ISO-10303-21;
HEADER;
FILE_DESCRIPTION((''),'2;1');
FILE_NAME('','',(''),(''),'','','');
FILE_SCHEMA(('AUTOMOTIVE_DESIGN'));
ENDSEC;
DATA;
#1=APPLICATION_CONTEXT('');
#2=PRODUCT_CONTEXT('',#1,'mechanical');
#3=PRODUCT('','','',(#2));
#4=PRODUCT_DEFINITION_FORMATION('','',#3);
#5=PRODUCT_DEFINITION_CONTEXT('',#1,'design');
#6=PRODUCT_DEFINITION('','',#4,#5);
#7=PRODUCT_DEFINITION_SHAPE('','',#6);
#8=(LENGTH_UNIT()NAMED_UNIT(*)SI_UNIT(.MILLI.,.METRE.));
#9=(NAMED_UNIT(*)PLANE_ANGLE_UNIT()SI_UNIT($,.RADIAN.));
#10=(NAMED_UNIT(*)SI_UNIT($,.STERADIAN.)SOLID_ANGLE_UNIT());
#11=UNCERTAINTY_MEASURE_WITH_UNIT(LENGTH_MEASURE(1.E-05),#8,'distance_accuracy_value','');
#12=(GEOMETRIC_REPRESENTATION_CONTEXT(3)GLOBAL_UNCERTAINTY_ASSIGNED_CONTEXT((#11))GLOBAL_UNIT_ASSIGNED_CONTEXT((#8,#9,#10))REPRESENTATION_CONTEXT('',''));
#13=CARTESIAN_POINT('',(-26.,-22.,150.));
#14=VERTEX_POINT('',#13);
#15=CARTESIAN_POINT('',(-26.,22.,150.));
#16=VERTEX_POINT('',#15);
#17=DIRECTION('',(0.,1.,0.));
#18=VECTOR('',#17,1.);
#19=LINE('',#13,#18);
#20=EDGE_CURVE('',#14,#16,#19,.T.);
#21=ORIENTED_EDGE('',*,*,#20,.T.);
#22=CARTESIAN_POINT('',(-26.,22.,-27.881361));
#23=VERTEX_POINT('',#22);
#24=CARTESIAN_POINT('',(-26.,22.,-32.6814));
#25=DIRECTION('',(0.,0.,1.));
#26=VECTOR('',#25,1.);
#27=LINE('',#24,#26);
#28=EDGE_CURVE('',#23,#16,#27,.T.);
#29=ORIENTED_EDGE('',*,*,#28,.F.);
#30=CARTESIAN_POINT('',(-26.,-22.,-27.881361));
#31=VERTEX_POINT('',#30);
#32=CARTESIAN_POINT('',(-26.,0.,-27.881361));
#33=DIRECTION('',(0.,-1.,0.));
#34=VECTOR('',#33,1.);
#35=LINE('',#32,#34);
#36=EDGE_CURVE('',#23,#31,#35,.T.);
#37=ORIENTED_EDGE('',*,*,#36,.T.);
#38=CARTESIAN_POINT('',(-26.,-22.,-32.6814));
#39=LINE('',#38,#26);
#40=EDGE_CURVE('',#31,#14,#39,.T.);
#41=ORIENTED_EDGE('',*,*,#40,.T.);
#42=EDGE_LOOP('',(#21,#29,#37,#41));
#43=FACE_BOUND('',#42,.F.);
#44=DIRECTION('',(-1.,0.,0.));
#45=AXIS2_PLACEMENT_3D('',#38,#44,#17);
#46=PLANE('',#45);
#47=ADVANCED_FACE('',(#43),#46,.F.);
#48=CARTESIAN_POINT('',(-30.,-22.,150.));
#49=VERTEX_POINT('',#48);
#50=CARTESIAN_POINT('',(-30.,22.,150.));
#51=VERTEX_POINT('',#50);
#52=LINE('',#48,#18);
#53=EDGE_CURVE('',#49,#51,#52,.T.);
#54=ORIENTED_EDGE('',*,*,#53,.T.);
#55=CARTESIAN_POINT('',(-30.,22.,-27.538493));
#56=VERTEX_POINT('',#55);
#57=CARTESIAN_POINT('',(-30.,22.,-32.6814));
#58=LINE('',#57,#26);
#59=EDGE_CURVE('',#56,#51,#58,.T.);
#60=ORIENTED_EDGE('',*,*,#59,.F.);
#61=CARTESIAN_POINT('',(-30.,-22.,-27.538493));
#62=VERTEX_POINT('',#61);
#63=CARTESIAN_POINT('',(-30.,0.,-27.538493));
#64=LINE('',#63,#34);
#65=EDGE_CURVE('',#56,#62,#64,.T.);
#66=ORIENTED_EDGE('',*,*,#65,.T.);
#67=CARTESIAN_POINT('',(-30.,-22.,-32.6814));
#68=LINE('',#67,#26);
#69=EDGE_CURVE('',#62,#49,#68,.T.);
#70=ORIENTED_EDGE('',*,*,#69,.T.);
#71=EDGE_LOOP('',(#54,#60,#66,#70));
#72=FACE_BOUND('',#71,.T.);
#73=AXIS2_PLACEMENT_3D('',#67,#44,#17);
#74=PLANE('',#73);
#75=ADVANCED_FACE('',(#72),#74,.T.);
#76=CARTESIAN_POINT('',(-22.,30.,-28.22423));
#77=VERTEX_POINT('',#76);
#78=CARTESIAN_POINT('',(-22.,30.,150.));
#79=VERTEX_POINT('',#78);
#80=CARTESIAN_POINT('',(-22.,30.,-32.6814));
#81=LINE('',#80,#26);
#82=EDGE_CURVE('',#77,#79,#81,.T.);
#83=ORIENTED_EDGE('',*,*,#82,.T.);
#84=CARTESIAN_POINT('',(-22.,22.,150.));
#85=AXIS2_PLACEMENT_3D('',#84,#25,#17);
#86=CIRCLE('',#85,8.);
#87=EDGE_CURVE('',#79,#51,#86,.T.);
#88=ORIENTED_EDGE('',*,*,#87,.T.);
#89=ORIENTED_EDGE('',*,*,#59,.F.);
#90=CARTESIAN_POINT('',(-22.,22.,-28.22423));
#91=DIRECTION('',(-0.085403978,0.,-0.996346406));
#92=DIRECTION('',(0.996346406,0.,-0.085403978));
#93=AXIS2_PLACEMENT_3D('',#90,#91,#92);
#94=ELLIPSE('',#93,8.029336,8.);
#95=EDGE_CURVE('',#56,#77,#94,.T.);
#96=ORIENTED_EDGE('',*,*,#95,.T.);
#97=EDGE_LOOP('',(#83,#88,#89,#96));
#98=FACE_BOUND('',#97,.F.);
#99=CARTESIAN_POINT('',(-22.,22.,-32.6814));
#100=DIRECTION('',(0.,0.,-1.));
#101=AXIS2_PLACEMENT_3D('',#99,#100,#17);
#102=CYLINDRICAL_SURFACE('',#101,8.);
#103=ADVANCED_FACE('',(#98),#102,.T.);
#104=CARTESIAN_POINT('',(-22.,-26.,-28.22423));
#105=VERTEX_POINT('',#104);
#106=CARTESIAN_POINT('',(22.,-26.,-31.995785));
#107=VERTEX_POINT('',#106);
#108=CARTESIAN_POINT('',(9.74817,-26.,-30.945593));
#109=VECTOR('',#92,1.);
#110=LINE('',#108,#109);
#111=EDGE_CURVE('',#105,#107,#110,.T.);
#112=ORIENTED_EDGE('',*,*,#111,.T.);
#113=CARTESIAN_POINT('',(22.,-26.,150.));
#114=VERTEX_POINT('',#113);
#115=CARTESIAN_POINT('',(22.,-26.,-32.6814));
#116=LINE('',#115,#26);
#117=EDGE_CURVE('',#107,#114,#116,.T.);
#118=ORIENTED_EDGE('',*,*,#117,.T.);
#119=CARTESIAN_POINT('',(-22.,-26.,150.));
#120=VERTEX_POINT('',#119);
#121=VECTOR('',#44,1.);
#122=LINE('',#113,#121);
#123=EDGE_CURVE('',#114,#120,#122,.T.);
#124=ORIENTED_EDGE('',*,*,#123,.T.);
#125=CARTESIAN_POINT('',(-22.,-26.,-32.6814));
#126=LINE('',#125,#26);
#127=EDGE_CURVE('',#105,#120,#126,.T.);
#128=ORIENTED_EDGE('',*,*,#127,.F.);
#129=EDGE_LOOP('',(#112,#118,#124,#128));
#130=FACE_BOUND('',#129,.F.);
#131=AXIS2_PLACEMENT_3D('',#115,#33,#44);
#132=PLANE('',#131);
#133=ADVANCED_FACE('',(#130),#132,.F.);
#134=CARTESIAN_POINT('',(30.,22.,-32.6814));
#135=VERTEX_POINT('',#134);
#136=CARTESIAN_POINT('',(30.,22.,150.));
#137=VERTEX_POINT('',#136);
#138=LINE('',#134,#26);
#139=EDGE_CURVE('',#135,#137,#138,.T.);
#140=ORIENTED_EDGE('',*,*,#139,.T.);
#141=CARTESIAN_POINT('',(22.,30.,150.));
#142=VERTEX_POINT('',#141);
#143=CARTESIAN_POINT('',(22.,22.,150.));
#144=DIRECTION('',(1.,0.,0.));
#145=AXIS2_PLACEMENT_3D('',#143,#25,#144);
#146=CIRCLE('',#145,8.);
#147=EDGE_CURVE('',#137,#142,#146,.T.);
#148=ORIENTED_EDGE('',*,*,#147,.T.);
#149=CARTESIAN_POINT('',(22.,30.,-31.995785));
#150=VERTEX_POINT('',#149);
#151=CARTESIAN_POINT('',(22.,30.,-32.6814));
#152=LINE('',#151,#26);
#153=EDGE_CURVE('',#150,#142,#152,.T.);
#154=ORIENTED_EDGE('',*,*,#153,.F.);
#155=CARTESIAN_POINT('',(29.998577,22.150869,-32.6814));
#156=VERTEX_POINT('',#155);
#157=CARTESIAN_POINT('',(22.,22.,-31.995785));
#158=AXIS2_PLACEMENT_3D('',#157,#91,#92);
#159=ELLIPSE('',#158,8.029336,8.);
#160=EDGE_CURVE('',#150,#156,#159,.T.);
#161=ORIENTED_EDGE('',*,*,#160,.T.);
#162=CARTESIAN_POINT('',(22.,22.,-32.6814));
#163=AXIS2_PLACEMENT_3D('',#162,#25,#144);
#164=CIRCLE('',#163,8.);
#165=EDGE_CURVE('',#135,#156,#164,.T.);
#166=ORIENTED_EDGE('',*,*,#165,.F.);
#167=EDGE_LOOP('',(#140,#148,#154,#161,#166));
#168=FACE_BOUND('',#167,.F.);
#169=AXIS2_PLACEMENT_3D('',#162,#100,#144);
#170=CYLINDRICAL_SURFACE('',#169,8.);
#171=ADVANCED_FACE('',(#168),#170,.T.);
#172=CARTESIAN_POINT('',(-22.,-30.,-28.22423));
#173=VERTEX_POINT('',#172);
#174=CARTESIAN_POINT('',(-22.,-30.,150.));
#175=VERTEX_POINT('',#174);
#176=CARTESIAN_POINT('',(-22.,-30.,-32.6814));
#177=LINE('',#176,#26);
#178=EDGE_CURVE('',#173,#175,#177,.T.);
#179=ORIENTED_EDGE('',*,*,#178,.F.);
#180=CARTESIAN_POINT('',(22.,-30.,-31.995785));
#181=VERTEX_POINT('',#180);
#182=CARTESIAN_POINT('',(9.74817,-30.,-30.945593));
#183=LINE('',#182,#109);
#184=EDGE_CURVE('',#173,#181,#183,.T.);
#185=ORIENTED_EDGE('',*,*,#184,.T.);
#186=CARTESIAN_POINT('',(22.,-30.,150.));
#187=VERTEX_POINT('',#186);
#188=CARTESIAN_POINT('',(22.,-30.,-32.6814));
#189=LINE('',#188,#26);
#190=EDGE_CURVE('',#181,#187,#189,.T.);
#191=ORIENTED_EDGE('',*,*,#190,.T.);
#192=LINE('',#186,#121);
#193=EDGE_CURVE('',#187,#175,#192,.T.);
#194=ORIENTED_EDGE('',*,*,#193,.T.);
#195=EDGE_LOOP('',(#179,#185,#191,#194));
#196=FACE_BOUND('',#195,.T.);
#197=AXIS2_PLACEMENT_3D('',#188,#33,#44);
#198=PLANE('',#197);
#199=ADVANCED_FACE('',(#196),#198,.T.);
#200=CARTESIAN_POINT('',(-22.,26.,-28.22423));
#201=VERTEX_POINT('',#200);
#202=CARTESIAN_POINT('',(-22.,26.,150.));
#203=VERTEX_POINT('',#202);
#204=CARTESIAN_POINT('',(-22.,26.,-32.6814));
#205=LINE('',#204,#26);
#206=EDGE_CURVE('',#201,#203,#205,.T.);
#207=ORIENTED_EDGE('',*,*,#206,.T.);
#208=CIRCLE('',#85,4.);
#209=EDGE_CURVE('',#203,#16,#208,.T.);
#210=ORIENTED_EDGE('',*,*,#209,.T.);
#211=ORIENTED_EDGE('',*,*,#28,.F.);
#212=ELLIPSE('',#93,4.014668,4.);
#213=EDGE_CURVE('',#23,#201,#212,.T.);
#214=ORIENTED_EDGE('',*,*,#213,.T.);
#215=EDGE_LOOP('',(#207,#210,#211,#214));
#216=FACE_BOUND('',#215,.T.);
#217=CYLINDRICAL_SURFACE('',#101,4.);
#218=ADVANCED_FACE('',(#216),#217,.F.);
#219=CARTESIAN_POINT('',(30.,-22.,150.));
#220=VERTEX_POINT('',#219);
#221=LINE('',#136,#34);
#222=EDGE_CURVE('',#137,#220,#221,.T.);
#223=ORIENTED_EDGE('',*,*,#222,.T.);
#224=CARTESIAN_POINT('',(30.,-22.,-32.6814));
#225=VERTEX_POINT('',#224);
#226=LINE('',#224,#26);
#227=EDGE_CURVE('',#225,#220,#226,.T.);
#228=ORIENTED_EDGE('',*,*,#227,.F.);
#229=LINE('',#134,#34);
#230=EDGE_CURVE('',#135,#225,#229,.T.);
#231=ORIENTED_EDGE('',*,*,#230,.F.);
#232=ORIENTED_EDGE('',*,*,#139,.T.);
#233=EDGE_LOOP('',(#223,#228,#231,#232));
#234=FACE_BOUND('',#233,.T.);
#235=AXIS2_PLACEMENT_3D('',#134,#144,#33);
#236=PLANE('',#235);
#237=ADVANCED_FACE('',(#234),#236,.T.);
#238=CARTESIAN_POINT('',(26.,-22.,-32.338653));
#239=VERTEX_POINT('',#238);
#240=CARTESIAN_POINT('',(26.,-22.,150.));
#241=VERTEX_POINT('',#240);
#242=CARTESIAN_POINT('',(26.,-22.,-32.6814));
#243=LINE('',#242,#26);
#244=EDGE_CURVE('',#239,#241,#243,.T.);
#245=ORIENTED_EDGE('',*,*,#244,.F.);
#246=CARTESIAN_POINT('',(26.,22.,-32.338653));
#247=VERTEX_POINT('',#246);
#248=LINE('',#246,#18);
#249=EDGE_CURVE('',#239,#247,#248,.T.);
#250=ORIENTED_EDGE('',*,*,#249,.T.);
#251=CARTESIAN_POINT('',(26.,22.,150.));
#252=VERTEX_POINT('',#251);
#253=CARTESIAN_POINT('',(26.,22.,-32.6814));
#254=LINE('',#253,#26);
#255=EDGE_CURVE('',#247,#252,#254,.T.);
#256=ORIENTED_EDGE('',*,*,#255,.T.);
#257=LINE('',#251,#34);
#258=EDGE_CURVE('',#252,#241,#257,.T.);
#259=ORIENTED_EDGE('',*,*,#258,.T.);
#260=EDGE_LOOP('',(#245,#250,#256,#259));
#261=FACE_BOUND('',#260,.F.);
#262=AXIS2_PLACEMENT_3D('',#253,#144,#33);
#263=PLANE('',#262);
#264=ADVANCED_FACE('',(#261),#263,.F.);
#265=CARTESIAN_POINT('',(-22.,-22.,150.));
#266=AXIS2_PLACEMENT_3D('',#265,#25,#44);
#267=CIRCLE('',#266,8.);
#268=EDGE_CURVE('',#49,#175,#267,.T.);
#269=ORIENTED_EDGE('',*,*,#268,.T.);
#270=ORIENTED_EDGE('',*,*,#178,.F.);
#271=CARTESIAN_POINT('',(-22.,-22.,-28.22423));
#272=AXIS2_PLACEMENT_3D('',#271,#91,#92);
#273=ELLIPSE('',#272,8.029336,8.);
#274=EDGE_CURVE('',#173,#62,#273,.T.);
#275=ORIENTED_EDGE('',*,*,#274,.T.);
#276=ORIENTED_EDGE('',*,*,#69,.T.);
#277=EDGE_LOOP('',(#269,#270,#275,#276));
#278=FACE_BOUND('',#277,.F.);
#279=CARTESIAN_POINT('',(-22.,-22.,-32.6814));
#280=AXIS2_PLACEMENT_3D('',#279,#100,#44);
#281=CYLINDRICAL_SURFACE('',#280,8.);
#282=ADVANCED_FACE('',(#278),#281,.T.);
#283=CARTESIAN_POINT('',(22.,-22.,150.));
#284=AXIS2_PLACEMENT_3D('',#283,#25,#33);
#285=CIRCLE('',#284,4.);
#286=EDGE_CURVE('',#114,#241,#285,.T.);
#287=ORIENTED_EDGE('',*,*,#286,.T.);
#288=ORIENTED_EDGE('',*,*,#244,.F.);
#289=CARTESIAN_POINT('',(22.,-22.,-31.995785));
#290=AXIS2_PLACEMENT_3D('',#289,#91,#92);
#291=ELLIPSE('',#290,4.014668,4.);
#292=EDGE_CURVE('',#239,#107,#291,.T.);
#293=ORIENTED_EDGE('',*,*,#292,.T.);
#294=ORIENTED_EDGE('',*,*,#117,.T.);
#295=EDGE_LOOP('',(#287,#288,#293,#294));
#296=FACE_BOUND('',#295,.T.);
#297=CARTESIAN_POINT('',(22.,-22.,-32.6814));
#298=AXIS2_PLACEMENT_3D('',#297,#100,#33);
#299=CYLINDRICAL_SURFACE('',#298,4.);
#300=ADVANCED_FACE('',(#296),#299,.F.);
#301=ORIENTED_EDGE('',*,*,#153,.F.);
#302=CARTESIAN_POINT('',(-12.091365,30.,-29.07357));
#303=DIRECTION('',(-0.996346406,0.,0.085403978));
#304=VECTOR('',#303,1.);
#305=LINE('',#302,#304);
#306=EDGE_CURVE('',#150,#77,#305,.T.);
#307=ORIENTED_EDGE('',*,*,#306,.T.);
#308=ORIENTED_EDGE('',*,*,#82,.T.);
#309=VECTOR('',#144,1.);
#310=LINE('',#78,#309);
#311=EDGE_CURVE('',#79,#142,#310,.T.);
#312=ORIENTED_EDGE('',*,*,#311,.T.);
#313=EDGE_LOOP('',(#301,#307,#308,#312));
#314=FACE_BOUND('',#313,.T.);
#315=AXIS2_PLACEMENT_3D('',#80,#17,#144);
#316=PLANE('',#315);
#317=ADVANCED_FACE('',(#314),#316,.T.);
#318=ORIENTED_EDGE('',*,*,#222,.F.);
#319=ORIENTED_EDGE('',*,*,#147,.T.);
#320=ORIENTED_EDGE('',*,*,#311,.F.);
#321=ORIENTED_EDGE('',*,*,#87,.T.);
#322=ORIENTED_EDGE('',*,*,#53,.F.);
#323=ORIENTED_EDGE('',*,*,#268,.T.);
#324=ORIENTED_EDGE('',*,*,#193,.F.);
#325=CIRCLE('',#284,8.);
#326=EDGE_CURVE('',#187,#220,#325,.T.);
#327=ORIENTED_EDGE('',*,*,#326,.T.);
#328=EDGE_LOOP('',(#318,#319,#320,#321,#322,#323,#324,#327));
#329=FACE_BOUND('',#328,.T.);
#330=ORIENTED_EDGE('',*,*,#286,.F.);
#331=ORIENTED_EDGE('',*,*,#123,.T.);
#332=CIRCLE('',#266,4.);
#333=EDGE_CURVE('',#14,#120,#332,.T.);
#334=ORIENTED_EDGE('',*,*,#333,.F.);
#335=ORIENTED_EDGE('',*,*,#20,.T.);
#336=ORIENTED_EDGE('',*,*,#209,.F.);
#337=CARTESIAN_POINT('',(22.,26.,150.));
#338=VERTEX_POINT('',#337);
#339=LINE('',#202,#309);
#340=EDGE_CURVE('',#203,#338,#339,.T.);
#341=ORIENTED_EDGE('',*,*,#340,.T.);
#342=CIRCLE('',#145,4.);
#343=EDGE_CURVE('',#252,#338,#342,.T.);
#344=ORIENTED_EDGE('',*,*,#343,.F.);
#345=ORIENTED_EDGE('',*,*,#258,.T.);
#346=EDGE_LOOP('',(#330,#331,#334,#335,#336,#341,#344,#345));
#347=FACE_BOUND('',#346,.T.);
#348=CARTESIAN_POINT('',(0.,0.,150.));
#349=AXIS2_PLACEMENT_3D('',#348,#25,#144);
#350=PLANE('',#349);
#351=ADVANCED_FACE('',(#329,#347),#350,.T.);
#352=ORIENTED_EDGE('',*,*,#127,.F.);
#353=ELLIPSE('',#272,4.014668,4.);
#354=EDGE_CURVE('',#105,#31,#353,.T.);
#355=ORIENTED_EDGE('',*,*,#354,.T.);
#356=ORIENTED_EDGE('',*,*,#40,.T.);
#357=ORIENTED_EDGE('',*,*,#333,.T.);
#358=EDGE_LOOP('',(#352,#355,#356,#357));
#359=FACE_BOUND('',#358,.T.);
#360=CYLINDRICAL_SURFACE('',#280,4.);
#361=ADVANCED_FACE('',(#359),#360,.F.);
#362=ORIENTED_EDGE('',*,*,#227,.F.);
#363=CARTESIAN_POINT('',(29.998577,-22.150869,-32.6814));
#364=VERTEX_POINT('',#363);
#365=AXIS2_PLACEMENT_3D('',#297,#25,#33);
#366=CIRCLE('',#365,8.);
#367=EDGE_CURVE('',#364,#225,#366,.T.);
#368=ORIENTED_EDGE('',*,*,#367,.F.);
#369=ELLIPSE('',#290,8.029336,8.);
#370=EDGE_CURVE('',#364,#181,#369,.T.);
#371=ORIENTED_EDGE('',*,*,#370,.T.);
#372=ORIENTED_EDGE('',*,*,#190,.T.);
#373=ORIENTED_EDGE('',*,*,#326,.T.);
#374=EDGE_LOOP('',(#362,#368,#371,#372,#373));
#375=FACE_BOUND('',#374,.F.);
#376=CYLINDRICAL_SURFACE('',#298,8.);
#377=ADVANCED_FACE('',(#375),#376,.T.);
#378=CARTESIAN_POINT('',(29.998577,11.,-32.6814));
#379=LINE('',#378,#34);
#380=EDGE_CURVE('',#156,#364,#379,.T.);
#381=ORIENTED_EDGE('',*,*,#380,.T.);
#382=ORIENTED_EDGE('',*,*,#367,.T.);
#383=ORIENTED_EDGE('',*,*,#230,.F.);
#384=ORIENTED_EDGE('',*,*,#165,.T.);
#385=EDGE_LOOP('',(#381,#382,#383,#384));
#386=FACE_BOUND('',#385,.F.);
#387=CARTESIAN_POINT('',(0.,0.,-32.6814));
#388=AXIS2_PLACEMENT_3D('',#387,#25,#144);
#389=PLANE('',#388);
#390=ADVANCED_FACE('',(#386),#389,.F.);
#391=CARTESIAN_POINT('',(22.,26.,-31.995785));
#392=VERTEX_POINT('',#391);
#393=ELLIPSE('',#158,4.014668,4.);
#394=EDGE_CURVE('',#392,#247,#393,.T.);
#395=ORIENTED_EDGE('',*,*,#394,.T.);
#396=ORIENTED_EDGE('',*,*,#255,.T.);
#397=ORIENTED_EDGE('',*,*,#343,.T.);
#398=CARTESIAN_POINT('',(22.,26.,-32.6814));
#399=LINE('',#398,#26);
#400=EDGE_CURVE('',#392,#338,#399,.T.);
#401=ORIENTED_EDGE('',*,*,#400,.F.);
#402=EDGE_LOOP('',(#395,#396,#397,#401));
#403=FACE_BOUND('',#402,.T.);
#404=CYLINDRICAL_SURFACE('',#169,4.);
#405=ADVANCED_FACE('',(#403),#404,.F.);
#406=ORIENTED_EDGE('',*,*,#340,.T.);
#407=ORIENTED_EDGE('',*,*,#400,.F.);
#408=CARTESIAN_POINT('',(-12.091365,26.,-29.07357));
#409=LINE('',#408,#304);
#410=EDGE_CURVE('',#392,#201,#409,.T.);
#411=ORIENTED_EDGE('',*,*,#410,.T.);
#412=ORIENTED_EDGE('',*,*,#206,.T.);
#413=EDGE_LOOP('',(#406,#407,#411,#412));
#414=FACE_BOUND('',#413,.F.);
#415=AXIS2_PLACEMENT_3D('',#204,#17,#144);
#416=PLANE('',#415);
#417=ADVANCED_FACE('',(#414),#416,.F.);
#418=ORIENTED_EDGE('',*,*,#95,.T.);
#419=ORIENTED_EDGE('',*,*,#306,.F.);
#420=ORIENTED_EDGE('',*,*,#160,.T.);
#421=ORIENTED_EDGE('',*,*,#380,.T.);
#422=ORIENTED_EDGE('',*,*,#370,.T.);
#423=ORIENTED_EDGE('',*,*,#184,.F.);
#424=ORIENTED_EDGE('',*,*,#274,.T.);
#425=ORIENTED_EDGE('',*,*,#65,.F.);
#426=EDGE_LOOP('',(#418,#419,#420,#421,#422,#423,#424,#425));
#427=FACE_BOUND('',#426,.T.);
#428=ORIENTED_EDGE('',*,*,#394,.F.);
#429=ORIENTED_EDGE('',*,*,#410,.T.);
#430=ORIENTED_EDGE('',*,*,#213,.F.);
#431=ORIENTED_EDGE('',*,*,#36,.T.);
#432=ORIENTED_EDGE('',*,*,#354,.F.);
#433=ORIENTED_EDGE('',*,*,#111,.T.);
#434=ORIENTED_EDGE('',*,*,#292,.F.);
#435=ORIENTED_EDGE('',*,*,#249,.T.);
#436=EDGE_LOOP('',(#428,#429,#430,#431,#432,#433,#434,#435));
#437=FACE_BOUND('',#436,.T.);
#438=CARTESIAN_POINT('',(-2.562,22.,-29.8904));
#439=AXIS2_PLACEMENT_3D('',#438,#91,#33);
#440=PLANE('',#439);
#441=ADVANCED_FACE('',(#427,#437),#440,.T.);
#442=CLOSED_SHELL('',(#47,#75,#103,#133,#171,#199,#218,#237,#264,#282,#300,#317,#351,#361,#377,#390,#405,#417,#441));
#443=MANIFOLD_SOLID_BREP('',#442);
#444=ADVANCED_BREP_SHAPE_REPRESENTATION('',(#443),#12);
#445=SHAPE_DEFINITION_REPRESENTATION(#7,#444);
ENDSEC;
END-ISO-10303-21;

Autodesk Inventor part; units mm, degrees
ref_plane "Start Plane" through (0, 0, -32.6814) normal (0, 0, 1) x (1, 0, 0)
ref_plane "End Plane" through (0, 0, 150) normal (0, 0, 1) x (1, 0, 0)
sketch "Sketch" plane through (0, 0, 0) normal (0, 0, 1) x (1, 0, 0)
  line L0 (-30, -22) -> (-30, 22)
  line L1 (-22, 30) -> (22, 30)
  line L2 (30, 22) -> (30, -22)
  line L3 (22, -30) -> (-22, -30)
  arc A0 (-30, -22) -> (-22, -30) centre (-22, -22) ccw
  arc A1 (30, 22) -> (22, 30) centre (22, 22) ccw
  arc A2 (-22, 30) -> (-30, 22) centre (-22, 22) ccw
  arc A3 (22, -30) -> (30, -22) centre (22, -22) ccw
  arc A4 (-22, 26) -> (-26, 22) centre (-22, 22) ccw
  line L4 (-22, 26) -> (22, 26)
  arc A5 (26, 22) -> (22, 26) centre (22, 22) ccw
  line L5 (26, 22) -> (26, -22)
  arc A6 (22, -26) -> (26, -22) centre (22, -22) ccw
  line L6 (22, -26) -> (-22, -26)
  arc A7 (-26, -22) -> (-22, -26) centre (-22, -22) ccw
  line L7 (-26, -22) -> (-26, 22)
  line L8 (0, 44.3196) -> (0, -44.3196) construction
  line L9 (-44.3196, 0) -> (44.3196, 0) construction
  dimension "d7" = 8
  dimension "d9" = 60
  dimension "d11" = 60
  dimension "d12" = 4
  dimension "d15" = 30
  dimension "d16" = 30
extrude "Body" add sketch "Sketch" along normal up to surface (182.6814 mm away) from surface at -32.6814
sketch "Sketch3" plane through (0, 0, 0) normal (0, 0, 1) x (1, 0, 0)
  line L0 (0, 0) -> (10, 0)
ref_plane "Work Plane3" through (0, 0, 0) normal (0, -1, 0) x (1, 0, 0)
ref_plane "Work Plane4" through (-2.562, 22, -29.8904) normal (-0.0854, 0, -0.9963) x (-0.9963, 0, 0.0854)
split "Split1" plane through (-2.562, 22, -29.8904) removes the side toward (-0.0854, 0, -0.9963)
sketch "Sketch4" plane through (0, 0, 0) normal (0, -1, 0) x (1, 0, 0)
  line L0 (-2, -32.6814) -> (12, -32.6814) projected
  line L1 (-2, 150) -> (12, 150) projected
  dimension "d18" = 182.6814
equation "\"d7\" = G_IR"
equation "\"d9\" = G_W"
equation "\"d11\" = G_H"
equation "\"d12\" = G_T"
equation "\"d15\" = 0.5 * d9"
equation "\"d16\" = 0.5 * d11"
equation "\"d3\" = G_L"
equation "\"G_W\" = 60"
equation "\"G_H\" = 60"
equation "\"G_T\" = 4"
equation "\"G_IR\" = 8"
equation "\"G_L\" = d18"
equation "\"G_OFFSET_START\" = 32.68143"
equation "\"G_OFFSET_END\" = 0"
equation "\"d13\" = -G_OFFSET_START"
properties part number "ISO 10799-2 - 60x60x4 - 182,68" material "Steel, Mild"
